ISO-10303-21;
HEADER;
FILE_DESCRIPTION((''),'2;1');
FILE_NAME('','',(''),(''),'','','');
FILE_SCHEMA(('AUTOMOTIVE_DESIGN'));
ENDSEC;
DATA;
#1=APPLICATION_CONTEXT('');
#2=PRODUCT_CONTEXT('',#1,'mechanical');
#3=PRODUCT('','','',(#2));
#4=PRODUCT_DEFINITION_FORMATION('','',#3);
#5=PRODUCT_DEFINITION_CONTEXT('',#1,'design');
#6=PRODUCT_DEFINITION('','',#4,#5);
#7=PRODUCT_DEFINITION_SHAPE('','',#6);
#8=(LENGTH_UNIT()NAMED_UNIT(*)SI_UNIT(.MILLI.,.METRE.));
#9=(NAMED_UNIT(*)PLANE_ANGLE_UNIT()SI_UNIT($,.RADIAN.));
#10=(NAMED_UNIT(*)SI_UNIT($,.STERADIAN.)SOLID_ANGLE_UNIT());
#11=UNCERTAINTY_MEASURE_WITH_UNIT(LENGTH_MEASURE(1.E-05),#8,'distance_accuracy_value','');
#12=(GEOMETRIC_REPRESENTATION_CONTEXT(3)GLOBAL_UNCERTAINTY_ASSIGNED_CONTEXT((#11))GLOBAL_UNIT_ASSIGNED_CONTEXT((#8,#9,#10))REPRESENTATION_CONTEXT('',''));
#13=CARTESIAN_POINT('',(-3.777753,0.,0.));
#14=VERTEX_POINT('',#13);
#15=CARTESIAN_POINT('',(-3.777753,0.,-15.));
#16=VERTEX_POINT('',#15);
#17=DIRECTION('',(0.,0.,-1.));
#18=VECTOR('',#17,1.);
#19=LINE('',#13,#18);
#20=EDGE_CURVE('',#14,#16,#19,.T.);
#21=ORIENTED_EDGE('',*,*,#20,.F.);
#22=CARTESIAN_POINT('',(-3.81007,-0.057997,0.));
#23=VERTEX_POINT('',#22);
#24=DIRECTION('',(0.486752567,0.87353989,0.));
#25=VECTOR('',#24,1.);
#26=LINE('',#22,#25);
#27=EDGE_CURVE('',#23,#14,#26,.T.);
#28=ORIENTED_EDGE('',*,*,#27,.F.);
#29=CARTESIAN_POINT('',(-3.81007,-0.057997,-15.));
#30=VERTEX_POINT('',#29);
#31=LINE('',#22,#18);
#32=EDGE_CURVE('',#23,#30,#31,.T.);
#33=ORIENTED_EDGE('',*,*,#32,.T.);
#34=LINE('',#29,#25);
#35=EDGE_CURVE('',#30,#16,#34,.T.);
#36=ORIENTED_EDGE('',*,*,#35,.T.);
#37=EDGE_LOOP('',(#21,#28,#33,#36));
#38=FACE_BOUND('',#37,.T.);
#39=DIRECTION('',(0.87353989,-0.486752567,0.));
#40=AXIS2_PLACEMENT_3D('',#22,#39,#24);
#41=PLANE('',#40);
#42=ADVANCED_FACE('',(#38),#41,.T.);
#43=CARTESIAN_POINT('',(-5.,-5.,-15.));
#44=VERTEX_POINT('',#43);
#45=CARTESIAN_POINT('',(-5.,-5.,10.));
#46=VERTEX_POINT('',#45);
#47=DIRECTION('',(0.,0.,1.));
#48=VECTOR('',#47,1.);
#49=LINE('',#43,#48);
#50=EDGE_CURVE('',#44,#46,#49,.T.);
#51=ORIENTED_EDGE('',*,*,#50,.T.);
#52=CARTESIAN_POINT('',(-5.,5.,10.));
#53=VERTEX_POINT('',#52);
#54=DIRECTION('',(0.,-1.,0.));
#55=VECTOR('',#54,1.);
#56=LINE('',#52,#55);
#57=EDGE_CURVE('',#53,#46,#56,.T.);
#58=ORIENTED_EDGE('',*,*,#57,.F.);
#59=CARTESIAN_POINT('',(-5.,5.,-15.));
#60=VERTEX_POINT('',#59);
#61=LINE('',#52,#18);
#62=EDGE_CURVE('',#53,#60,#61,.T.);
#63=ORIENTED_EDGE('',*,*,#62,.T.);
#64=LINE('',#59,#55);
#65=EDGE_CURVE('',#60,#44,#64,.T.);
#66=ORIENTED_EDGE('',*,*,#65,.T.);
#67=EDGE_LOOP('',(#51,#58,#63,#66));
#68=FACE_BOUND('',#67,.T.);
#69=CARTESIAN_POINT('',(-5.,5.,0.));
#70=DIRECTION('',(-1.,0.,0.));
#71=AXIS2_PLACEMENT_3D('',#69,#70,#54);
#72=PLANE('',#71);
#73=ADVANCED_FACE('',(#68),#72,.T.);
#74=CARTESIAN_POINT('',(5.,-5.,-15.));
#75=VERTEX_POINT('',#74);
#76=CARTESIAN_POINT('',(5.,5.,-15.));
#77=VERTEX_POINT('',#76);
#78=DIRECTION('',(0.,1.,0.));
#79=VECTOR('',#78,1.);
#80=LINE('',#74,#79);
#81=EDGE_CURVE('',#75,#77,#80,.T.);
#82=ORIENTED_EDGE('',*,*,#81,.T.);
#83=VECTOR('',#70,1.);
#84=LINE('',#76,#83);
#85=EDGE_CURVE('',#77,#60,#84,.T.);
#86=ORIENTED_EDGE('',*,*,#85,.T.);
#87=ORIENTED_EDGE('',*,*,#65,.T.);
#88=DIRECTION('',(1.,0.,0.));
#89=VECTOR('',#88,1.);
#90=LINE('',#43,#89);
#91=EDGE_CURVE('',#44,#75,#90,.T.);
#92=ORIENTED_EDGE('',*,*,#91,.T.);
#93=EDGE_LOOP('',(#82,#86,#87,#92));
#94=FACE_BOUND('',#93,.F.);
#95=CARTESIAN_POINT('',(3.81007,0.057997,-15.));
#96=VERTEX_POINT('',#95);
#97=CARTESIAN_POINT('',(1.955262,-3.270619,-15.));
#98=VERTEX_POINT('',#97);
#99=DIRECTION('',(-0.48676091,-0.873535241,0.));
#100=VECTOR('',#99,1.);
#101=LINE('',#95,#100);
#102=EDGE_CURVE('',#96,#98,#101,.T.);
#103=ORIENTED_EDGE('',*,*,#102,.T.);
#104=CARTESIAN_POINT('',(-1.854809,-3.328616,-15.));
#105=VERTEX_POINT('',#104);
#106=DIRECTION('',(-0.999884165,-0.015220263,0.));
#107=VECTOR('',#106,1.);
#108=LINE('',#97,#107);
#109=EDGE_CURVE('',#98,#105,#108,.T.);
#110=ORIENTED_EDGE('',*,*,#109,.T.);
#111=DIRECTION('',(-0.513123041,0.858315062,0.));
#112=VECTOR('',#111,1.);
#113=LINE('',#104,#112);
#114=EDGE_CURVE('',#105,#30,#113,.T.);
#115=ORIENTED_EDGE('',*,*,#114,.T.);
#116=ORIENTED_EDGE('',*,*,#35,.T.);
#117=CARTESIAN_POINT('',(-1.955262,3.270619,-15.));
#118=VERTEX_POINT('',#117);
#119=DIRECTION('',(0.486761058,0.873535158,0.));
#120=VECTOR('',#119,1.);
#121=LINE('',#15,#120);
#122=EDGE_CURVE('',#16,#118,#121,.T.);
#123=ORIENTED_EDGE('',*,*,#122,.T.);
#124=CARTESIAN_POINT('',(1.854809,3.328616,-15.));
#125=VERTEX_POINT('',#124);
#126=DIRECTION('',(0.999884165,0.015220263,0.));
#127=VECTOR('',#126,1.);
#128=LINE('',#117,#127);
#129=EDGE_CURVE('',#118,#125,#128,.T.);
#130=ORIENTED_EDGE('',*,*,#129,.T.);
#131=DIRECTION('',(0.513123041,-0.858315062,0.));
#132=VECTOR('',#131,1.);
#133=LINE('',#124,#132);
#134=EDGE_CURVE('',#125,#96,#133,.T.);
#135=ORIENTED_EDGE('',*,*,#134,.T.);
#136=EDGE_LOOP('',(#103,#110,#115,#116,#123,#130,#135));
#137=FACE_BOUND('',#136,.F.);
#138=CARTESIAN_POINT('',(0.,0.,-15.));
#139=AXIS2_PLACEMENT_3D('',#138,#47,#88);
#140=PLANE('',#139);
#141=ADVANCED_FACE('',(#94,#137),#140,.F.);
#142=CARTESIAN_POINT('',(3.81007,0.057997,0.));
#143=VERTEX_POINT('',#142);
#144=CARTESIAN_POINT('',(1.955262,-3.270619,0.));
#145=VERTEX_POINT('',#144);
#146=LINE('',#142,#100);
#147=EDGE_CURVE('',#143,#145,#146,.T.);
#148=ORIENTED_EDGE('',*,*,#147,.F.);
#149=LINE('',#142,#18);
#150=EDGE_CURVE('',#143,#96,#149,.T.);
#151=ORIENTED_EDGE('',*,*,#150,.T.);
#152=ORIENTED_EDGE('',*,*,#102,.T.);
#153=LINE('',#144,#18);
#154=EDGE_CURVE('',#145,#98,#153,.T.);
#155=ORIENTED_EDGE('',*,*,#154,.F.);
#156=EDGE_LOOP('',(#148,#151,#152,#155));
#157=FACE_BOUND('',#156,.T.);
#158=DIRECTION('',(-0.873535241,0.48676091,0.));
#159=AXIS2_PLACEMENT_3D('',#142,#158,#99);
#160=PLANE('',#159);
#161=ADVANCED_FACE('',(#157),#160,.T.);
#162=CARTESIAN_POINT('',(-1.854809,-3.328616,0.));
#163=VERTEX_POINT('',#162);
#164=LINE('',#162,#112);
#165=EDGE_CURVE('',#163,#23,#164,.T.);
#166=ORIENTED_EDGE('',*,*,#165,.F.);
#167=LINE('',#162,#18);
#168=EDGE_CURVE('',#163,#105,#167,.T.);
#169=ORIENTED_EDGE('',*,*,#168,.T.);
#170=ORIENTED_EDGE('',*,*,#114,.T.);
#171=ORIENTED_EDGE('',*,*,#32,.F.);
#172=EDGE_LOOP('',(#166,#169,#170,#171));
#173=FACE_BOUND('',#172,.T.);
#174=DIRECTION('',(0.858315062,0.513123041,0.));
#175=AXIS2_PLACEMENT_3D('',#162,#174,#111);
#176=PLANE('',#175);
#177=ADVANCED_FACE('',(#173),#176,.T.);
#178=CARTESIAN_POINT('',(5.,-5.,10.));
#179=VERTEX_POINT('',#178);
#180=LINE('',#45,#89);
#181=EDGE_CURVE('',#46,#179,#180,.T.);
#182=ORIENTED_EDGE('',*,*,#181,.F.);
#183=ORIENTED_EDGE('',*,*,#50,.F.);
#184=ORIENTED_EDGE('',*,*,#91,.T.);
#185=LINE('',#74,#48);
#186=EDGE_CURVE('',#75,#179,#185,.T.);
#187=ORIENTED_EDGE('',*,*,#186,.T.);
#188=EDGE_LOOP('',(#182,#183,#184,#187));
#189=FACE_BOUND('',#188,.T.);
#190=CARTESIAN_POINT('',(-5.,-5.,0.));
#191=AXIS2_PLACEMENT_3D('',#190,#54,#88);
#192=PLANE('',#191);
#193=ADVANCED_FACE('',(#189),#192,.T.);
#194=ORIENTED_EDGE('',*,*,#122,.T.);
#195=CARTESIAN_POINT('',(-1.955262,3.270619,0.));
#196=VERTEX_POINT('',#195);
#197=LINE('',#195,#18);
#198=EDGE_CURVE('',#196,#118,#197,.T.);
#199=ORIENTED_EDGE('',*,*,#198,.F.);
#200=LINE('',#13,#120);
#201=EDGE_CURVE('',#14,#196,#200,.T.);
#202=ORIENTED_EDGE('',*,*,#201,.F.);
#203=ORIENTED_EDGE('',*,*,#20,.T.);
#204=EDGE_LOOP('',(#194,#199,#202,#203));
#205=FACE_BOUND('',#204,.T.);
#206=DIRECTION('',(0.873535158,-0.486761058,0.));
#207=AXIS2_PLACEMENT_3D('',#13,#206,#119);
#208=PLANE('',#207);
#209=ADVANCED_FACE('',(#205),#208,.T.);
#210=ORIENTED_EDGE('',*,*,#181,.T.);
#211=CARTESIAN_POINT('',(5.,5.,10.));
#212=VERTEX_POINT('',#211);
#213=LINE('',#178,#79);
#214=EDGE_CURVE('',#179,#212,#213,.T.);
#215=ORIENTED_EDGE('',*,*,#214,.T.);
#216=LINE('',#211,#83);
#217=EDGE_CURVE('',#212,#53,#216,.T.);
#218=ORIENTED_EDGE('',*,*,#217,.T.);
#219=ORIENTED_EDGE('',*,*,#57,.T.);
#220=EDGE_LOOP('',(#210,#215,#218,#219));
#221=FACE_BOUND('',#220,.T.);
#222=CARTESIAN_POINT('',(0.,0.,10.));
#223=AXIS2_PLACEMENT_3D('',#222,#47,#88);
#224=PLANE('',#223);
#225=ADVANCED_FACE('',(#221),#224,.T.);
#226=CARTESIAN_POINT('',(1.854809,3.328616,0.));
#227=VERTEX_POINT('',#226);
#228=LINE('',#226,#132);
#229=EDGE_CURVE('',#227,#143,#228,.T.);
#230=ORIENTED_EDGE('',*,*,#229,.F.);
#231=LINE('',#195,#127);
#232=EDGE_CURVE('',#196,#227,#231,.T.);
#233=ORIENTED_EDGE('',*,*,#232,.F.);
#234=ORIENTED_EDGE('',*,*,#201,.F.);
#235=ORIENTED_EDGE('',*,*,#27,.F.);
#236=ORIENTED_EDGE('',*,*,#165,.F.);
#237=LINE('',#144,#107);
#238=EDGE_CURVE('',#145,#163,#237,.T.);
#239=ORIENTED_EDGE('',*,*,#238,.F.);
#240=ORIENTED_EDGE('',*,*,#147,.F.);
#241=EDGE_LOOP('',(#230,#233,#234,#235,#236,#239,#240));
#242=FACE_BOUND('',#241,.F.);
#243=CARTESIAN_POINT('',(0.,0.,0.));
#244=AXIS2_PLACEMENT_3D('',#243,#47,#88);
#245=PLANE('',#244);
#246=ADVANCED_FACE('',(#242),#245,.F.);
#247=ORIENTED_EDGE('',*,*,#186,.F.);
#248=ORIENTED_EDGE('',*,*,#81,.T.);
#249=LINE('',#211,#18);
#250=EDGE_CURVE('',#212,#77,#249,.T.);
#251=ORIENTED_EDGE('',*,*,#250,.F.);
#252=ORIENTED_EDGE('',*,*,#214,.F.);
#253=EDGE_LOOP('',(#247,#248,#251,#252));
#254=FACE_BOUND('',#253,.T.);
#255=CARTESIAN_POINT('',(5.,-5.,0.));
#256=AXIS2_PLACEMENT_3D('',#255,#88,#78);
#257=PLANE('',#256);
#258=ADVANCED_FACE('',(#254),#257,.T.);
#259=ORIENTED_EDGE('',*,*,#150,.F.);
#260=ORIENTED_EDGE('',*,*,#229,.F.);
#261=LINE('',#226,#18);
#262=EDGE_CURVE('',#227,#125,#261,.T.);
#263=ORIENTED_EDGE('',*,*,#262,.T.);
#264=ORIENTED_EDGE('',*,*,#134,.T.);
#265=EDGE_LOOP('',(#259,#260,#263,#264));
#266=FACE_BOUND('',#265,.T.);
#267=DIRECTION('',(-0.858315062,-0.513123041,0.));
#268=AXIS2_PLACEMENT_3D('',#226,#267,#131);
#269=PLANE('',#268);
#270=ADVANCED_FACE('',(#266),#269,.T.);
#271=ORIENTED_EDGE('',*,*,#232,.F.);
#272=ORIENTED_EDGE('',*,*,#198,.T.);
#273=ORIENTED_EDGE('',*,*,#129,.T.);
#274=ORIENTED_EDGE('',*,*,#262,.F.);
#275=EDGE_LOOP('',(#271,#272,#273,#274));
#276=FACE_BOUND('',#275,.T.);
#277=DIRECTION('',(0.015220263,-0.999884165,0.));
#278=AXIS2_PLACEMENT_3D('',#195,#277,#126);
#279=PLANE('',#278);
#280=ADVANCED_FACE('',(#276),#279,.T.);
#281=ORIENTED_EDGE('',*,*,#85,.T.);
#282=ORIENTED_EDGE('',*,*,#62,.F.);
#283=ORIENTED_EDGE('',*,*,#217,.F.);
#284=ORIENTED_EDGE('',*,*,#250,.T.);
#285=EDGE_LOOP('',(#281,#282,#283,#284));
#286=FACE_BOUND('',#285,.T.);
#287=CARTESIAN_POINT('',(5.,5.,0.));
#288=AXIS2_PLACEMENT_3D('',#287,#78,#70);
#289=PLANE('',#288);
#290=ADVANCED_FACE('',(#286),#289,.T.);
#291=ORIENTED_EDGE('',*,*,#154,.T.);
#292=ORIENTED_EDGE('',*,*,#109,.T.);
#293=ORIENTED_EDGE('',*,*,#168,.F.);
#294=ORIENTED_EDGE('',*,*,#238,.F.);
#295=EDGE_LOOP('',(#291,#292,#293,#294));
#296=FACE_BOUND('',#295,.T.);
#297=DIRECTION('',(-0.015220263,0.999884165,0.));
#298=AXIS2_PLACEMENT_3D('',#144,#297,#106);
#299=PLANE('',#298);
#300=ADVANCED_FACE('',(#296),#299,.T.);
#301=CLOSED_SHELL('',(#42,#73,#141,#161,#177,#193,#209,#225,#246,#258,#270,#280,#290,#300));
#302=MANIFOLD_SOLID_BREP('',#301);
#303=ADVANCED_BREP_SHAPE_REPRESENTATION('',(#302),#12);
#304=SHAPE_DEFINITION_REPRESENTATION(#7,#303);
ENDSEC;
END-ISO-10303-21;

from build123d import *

# Parameters (mm, degrees)
F1_DEPTH = 10
F2_DEPTH = 15


with BuildPart() as f1:
    # F0 (on Top) → F1 (new body)
    with BuildSketch(Plane.XY):
        Polygon((-5, 5), (-5, 0), (-5, -5), (0, -5), (5, -5), (5, 0), (5, 5), (0, 5), align=None)
        Polygon((-1.955262, 3.270619), (1.854809, 3.328616), (3.81007, 0.057997), (1.955262, -3.270619), (-1.854809, -3.328616), (-3.81007, -0.057997), (-3.777753, 0), align=None, mode=Mode.SUBTRACT)
        Polygon((3.81007, 0.057997), (1.854809, 3.328616), (-1.955262, 3.270619), (-3.777753, 0), (-3.81007, -0.057997), (-1.854809, -3.328616), (1.955262, -3.270619), align=None)
    extrude(amount=F1_DEPTH)

    # F0 (on Top) → F2 (join)
    with BuildSketch(Plane.XY):
        Polygon((-5, 5), (-5, 0), (-5, -5), (0, -5), (5, -5), (5, 0), (5, 5), (0, 5), align=None)
        Polygon((-1.955262, 3.270619), (1.854809, 3.328616), (3.81007, 0.057997), (1.955262, -3.270619), (-1.854809, -3.328616), (-3.81007, -0.057997), (-3.777753, 0), align=None, mode=Mode.SUBTRACT)
    extrude(amount=-F2_DEPTH)


solid = f1.part
